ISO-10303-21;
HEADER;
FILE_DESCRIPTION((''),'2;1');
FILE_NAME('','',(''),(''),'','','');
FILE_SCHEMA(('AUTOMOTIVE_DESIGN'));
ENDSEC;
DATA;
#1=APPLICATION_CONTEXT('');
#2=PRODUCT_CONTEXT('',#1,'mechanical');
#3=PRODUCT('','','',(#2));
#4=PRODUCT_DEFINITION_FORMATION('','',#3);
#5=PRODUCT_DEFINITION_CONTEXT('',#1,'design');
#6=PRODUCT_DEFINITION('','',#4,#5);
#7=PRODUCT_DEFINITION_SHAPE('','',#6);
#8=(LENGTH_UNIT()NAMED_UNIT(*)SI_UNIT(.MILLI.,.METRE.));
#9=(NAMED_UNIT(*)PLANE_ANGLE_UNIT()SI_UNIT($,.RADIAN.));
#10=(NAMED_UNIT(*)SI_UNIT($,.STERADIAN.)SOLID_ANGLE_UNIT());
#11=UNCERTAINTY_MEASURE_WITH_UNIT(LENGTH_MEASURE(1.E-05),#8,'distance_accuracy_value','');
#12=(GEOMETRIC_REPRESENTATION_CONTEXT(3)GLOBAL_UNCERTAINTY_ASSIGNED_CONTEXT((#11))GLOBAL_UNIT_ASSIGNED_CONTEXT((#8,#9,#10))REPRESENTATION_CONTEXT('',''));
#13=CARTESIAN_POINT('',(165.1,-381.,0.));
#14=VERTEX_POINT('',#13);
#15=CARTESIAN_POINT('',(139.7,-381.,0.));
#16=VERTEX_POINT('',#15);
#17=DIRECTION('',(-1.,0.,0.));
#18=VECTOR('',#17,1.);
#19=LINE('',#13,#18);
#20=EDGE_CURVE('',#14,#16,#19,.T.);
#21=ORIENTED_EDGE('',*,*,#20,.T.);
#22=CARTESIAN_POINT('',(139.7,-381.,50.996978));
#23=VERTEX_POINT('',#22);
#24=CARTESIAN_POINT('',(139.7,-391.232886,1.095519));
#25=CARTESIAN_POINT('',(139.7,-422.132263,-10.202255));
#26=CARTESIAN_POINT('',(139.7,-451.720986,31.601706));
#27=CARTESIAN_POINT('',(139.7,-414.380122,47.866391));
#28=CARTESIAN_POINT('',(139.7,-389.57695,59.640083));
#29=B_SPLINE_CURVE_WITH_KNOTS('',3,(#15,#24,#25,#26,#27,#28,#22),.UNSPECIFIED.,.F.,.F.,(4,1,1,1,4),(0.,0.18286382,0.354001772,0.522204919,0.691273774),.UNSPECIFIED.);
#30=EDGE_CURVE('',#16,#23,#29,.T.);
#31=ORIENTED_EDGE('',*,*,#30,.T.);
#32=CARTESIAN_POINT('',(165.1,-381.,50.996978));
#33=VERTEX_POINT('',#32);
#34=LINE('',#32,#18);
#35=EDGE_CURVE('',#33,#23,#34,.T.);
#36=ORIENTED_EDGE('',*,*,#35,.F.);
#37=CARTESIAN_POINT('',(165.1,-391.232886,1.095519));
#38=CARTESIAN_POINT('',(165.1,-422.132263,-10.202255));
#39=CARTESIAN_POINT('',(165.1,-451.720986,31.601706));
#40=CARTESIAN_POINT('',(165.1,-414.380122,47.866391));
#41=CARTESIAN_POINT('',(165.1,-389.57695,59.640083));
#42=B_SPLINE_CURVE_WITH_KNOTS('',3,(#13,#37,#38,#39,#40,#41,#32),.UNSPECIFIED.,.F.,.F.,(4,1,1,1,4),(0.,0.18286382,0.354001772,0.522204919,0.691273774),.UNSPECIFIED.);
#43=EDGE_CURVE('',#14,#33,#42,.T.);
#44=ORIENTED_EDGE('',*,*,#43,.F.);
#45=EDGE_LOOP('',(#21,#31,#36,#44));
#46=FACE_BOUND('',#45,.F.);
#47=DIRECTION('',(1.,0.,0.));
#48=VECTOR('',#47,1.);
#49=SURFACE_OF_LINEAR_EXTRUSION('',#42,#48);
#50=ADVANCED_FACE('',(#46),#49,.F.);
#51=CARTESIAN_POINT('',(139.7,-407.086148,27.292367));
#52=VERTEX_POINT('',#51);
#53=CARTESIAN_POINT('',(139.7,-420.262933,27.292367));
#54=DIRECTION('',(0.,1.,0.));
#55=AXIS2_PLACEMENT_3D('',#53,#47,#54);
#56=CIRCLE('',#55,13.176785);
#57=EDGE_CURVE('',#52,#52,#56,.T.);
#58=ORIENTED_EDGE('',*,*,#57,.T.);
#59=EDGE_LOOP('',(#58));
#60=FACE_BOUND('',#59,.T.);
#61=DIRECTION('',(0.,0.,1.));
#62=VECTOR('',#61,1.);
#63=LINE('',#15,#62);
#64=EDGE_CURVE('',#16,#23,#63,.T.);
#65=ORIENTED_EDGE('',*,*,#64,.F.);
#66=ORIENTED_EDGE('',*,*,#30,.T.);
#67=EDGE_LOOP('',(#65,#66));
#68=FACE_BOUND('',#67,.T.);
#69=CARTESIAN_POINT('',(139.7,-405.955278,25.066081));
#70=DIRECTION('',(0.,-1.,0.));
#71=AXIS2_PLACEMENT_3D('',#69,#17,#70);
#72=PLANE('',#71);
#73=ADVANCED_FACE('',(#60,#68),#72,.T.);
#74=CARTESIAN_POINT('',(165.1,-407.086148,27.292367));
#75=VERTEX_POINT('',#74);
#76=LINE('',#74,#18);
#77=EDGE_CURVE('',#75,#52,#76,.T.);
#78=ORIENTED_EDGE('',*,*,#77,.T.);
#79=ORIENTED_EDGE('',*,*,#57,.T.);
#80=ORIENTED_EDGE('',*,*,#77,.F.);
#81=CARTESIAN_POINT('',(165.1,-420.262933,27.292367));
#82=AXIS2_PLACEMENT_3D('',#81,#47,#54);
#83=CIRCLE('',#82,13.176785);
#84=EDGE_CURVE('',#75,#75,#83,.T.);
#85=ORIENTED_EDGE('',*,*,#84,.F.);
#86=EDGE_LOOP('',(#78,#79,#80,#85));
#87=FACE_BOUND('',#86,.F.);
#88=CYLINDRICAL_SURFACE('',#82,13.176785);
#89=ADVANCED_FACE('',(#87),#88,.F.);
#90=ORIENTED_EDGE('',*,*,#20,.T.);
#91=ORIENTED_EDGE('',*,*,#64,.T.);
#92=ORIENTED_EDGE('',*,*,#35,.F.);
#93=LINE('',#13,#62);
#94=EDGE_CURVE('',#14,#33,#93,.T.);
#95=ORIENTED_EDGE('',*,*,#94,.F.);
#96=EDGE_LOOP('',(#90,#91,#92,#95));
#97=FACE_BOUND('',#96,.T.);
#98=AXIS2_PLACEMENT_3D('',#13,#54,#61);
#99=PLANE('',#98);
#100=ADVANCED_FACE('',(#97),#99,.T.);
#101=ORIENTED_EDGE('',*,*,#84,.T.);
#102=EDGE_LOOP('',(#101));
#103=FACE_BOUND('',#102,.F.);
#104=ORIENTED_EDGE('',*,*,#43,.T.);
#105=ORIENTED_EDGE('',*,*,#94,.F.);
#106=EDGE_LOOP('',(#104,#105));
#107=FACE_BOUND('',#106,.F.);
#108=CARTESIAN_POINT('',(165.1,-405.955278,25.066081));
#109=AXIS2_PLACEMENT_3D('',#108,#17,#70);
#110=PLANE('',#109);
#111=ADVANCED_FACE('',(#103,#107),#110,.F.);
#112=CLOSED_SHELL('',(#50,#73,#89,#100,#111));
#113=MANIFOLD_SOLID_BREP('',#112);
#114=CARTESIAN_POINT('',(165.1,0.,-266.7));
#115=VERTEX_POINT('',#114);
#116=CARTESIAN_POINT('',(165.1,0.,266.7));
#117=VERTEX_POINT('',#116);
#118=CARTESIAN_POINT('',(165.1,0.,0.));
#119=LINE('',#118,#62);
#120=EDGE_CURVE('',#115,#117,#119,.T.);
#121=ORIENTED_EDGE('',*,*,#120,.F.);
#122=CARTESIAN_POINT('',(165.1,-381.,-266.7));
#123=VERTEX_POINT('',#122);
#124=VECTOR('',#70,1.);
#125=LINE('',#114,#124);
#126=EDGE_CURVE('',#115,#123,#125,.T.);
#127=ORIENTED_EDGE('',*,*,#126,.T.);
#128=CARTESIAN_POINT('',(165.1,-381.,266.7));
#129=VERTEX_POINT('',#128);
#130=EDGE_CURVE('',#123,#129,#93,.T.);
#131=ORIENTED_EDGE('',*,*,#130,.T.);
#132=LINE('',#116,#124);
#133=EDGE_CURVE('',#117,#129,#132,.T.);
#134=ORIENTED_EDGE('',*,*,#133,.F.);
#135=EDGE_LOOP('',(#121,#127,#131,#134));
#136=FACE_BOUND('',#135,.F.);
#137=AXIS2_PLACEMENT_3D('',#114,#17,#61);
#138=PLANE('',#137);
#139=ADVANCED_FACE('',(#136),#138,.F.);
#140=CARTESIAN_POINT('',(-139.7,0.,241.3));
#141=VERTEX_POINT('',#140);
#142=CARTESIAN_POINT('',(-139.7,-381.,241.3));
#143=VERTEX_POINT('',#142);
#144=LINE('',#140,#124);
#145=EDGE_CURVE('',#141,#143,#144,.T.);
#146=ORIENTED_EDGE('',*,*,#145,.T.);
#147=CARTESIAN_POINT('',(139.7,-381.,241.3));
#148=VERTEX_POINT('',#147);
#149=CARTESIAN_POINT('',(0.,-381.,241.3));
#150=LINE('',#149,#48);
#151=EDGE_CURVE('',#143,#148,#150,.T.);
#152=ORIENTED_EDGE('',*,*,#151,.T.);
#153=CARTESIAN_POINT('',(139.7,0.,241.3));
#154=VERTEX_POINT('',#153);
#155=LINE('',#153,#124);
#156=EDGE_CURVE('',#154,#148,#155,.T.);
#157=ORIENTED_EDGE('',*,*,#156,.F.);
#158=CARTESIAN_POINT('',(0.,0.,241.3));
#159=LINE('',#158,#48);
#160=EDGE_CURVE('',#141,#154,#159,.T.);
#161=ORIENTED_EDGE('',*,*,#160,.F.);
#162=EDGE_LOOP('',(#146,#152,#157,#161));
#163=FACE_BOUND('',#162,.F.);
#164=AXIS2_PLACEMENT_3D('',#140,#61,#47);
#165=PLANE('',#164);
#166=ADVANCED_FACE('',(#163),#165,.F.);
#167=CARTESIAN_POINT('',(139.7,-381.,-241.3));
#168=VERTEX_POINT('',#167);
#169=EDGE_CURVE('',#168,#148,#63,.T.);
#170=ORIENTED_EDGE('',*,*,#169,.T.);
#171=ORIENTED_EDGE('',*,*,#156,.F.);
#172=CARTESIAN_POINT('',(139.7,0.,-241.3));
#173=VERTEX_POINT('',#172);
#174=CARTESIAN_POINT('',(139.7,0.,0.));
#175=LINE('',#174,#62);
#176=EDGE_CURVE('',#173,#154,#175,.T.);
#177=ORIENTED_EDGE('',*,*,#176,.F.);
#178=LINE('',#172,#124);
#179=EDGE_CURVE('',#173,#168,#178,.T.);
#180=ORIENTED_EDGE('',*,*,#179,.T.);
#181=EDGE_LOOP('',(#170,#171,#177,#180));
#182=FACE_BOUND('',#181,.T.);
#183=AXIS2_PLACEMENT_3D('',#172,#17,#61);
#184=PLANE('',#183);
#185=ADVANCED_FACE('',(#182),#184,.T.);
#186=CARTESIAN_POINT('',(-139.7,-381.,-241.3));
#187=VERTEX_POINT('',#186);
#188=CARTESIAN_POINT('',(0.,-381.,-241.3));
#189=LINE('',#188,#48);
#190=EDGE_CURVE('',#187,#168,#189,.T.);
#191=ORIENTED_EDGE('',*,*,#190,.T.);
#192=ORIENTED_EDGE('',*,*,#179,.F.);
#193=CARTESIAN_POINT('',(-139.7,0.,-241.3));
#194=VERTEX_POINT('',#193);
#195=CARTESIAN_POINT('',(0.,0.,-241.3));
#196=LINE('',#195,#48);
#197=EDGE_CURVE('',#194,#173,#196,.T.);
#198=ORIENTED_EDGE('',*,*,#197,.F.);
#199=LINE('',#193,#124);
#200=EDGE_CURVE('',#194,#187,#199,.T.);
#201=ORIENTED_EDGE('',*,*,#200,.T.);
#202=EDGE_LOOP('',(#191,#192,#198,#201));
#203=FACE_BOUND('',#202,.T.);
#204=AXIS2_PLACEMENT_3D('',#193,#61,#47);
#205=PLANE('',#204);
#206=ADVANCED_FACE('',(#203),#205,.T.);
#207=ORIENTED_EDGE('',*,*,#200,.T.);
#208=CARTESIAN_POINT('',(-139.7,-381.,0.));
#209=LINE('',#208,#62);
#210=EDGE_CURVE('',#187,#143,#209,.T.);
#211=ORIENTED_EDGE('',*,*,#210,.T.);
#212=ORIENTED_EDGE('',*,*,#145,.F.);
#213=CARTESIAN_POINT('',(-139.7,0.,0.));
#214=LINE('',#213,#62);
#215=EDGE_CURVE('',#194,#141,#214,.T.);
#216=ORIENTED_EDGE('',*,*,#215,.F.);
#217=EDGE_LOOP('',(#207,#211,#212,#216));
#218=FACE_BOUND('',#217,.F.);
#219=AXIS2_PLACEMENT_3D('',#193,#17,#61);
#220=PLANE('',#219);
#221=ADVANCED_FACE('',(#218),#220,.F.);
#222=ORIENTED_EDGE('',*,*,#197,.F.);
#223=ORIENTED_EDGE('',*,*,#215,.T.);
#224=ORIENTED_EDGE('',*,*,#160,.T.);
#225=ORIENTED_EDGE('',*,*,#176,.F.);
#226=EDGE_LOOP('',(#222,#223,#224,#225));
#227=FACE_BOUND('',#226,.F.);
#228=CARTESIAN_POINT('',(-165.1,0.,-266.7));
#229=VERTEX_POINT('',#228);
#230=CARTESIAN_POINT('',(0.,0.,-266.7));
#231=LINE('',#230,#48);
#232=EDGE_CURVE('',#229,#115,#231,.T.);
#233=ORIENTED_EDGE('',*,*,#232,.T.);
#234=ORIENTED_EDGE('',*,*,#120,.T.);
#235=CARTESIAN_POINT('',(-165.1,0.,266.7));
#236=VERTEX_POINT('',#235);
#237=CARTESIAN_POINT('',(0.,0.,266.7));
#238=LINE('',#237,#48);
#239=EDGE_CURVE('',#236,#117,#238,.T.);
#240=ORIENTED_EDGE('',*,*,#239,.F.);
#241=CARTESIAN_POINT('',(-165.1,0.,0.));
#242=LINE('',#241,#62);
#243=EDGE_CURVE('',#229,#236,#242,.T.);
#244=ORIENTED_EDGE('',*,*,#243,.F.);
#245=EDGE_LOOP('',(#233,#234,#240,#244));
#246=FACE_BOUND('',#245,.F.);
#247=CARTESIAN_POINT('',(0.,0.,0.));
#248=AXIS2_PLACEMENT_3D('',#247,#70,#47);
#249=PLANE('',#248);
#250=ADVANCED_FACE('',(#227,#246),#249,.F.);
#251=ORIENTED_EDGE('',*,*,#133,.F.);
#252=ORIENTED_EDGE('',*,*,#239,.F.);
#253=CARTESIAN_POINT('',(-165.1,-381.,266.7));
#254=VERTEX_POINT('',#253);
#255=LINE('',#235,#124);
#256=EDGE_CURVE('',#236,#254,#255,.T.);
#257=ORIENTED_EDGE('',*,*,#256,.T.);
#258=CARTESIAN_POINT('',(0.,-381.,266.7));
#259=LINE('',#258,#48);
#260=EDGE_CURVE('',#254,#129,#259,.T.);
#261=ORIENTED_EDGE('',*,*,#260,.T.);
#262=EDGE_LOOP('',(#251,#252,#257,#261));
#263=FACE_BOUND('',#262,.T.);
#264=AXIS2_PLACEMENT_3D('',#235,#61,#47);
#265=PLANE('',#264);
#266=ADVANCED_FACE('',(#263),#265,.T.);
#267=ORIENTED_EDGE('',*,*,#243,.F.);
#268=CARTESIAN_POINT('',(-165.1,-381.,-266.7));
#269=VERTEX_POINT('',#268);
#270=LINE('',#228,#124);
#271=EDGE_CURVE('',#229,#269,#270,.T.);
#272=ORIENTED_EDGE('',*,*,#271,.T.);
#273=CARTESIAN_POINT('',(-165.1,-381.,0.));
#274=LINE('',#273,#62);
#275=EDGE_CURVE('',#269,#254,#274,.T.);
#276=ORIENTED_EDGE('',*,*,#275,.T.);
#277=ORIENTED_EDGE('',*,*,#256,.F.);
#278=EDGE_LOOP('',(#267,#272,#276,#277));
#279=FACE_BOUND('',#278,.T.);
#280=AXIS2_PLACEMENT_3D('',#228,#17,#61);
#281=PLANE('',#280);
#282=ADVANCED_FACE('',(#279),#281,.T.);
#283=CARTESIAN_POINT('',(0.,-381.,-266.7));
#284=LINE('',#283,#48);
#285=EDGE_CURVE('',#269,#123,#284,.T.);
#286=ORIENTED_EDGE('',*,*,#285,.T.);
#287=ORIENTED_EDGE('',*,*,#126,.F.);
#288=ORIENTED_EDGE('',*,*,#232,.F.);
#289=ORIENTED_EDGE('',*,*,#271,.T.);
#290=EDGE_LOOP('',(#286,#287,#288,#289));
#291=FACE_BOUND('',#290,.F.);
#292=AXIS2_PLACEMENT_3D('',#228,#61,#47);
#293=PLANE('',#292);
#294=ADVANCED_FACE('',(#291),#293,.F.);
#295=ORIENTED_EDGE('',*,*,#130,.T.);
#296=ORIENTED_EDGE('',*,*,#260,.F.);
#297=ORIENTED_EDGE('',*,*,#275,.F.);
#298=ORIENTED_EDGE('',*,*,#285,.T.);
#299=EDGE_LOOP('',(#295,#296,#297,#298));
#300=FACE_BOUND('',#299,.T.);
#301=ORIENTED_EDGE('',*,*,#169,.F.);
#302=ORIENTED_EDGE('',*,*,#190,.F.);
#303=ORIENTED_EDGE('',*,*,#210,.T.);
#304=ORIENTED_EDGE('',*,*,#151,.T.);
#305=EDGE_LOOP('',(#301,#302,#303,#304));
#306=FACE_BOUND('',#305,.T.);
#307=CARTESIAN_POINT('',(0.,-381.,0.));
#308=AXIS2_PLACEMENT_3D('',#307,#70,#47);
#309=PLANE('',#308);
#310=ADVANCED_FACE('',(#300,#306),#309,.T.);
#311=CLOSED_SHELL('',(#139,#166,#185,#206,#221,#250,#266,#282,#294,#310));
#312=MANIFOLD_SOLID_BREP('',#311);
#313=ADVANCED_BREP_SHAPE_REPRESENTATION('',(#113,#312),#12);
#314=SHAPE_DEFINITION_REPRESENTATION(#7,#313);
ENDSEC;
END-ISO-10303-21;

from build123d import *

# Parameters (mm, degrees)
F0_W     = 330.2
F0_H     = 533.4
F0_W_2   = 279.4
F0_H_2   = 482.6
F1_DEPTH = 381
F2_R     = 13.1767847099
F3_DEPTH = 25.4


with BuildPart() as f1:
    # F0 (on Front) → F1 (new body)
    with BuildSketch(Plane.XZ):
        Rectangle(F0_W, F0_H)
        Rectangle(F0_W_2, F0_H_2, mode=Mode.SUBTRACT)
    extrude(amount=F1_DEPTH)


with BuildPart() as f3:
    # F2 (on face) → F3 (new body)
    with BuildSketch(Plane.YZ.offset(165.1)):
        with BuildLine():
            add(Edge.make_bspline(
                [(-381, 0), (-391.2328859775, 1.0955192077), (-422.1322630287, -10.2022549805), (-451.7209861986, 31.6017058231), (-414.3801221271, 47.8663912672), (-389.5769504856, 59.640082987), (-381, 50.9969778359)],
                knots=[0, 0, 0, 0, 0.1828638203, 0.3540017724, 0.5222049189, 0.6912737739, 0.6912737739, 0.6912737739, 0.6912737739], degree=3))
            Line((-381, 0), (-381, 50.9969778359))
        make_face()
        with Locations((-420.2629327774, 27.2923670709)):
            Circle(F2_R, mode=Mode.SUBTRACT)
    extrude(amount=-F3_DEPTH)


solid = Compound([f1.part, f3.part])
